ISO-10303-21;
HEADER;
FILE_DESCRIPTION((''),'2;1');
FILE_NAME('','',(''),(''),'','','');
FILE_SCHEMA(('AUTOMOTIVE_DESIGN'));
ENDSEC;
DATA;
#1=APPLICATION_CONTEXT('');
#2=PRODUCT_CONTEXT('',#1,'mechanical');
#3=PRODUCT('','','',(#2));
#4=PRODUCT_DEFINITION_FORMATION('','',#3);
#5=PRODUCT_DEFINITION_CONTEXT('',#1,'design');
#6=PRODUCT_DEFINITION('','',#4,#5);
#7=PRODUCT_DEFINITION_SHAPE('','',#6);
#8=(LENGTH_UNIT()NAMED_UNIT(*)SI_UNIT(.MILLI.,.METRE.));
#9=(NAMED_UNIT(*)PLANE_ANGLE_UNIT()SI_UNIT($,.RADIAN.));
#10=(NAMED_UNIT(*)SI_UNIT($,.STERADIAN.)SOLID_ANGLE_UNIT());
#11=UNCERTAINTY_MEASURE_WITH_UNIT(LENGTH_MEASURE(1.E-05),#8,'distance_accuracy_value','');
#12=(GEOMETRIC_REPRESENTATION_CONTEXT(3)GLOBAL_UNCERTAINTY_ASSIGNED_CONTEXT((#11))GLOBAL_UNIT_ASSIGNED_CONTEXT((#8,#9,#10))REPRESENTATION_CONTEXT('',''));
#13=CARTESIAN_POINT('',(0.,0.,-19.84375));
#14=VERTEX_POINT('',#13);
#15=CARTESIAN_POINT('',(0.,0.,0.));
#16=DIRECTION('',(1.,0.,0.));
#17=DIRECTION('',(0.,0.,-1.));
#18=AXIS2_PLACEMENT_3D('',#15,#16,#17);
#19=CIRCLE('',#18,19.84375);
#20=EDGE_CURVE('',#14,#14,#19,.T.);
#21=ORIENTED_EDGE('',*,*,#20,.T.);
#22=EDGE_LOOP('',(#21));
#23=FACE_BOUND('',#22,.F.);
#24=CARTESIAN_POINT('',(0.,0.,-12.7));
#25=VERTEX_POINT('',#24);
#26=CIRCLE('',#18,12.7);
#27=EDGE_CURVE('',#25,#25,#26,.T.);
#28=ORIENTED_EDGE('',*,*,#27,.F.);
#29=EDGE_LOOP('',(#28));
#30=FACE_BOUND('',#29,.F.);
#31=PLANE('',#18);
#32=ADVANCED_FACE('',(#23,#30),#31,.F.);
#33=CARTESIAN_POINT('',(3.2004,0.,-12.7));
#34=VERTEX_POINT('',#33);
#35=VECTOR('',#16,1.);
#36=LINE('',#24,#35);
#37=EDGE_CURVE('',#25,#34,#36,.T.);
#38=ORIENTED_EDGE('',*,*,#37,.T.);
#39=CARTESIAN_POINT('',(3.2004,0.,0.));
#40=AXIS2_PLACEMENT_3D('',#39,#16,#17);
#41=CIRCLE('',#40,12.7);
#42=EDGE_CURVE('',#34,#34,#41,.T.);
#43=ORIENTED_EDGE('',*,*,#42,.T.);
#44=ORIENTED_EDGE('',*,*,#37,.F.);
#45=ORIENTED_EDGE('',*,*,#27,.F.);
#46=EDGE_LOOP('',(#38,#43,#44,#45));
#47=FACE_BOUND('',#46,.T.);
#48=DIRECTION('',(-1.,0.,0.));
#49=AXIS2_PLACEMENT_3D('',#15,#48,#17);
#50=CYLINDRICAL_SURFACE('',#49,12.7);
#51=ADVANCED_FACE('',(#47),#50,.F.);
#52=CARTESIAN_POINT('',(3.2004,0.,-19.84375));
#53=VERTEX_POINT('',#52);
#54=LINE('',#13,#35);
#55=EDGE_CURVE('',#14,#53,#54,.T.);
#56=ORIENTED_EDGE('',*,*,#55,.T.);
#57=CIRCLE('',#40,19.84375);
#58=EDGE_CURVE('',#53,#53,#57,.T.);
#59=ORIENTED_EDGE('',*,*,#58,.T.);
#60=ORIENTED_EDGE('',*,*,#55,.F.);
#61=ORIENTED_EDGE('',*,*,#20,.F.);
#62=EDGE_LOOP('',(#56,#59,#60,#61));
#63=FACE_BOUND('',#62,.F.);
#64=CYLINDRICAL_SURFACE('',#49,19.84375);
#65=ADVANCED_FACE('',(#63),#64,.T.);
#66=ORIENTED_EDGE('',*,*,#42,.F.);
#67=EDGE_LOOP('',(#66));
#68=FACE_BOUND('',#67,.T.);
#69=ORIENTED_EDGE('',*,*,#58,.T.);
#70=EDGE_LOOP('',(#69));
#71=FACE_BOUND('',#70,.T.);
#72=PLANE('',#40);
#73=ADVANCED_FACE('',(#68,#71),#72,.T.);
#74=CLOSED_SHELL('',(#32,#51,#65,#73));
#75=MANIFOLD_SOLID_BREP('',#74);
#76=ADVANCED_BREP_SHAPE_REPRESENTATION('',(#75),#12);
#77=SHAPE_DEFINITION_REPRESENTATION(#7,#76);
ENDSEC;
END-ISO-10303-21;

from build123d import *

# Parameters (mm, degrees)
SKETCH1_R      = 19.84375
SKETCH1_R_2    = 12.7
EXTRUDE1_DEPTH = 3.2004


with BuildPart() as part:
    # Sketch1 → Extrude1 (new body)
    with BuildSketch(Plane(origin=(0, 0, 0), x_dir=(0, 0, -1), z_dir=(1, 0, 0))):
        Circle(SKETCH1_R)
        Circle(SKETCH1_R_2, mode=Mode.SUBTRACT)
    extrude(amount=EXTRUDE1_DEPTH)


solid = part.part
